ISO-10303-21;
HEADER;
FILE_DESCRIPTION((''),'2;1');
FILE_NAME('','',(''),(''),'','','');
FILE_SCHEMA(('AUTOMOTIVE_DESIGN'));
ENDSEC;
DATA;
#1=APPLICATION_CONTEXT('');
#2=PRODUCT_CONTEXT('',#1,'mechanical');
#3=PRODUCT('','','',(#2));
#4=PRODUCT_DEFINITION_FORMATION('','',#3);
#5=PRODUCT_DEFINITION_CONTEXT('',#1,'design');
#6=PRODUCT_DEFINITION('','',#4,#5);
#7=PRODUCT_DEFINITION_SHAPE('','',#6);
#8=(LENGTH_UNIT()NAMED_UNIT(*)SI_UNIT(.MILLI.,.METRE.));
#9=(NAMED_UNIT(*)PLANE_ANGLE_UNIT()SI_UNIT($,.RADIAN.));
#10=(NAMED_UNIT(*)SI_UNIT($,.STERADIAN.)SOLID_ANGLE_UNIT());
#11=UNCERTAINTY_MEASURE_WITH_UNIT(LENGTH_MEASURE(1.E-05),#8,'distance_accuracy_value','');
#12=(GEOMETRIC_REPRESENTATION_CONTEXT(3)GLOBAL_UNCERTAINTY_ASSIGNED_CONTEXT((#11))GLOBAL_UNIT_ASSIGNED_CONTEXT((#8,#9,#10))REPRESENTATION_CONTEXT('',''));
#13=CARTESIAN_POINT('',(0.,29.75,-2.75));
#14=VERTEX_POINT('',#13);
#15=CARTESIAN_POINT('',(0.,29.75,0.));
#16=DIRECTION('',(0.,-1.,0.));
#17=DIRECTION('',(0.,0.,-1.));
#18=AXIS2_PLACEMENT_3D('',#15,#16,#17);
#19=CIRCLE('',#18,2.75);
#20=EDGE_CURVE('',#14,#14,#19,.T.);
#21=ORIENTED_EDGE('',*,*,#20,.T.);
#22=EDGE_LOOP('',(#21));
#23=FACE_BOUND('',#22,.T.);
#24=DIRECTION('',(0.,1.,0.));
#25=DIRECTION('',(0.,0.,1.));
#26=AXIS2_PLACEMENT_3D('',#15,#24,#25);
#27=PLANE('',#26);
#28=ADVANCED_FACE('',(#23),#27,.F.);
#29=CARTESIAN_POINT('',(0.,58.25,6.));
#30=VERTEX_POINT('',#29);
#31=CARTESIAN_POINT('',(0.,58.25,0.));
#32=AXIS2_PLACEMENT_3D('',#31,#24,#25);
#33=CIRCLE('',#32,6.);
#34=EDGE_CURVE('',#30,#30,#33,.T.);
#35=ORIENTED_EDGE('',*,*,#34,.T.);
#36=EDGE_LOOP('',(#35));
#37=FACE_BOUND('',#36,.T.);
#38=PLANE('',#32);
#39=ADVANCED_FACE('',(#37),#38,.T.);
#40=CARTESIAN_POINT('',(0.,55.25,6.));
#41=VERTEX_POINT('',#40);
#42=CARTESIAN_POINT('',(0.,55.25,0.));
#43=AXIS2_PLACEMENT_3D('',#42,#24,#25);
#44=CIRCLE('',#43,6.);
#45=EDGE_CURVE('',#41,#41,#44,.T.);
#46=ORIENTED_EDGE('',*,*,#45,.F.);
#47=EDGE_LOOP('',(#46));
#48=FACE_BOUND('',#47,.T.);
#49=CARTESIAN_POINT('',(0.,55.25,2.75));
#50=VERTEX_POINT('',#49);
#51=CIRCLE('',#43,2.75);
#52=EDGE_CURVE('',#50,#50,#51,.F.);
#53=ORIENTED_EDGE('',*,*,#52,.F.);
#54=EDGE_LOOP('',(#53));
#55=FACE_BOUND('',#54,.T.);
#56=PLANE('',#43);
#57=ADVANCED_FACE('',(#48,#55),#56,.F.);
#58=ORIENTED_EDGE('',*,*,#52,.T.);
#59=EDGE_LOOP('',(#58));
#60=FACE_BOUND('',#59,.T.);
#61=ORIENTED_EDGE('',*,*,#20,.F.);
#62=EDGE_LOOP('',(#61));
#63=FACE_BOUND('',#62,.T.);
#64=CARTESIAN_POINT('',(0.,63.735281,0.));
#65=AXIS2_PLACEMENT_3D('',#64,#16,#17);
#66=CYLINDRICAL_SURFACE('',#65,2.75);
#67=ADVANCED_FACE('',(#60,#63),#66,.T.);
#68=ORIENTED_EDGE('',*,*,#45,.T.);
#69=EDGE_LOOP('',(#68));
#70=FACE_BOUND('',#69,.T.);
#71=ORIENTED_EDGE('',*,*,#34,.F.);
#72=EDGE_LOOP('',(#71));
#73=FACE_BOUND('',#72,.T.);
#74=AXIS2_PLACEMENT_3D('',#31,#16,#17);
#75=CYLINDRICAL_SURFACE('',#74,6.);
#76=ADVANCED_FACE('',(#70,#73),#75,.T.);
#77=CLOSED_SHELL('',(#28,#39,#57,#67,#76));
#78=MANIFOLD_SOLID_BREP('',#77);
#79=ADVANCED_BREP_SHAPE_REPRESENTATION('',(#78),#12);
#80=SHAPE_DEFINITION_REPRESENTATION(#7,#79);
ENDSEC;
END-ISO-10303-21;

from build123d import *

# Parameters (mm, degrees)
SKETCH1_R           = 10
BOSS_EXTRUDE1_DEPTH = 85
SCALE_1_SCALE       = 0.3
SKETCH_1_R          = 6
EXTRUDE_1_DEPTH     = 3
SKETCH_2_R          = 3
SKETCH_2_R_2        = 2.75
CUT_EXTRUDE_1_DEPTH = 25.5


with BuildPart() as part:
    # Sketch1 → Boss-Extrude1 (new body)
    with BuildSketch(Plane(origin=(0, 0, 0), x_dir=(1, 0, 0), z_dir=(0, 1, 0))):
        Circle(SKETCH1_R)
    extrude(amount=BOSS_EXTRUDE1_DEPTH)


with BuildPart() as part_1:
    # 축척1: scaled about (0, 42.5, 0)
    add(part.part.scale(SCALE_1_SCALE).moved(Location((0, 29.75, 0))))

    # 스케치1 → 보스-돌출1 (add)
    with BuildSketch(Plane(origin=(0, 55.25, 0), x_dir=(1, 0, 0), z_dir=(0, 1, 0))):
        Circle(SKETCH_1_R)
    extrude(amount=EXTRUDE_1_DEPTH)

    # 스케치2 → 컷-돌출1 (cut)
    with BuildSketch(Plane.XZ.offset(-29.75)):
        Circle(SKETCH_2_R)
        Circle(SKETCH_2_R_2, mode=Mode.SUBTRACT)
    extrude(amount=-CUT_EXTRUDE_1_DEPTH, mode=Mode.SUBTRACT)


solid = part_1.part
